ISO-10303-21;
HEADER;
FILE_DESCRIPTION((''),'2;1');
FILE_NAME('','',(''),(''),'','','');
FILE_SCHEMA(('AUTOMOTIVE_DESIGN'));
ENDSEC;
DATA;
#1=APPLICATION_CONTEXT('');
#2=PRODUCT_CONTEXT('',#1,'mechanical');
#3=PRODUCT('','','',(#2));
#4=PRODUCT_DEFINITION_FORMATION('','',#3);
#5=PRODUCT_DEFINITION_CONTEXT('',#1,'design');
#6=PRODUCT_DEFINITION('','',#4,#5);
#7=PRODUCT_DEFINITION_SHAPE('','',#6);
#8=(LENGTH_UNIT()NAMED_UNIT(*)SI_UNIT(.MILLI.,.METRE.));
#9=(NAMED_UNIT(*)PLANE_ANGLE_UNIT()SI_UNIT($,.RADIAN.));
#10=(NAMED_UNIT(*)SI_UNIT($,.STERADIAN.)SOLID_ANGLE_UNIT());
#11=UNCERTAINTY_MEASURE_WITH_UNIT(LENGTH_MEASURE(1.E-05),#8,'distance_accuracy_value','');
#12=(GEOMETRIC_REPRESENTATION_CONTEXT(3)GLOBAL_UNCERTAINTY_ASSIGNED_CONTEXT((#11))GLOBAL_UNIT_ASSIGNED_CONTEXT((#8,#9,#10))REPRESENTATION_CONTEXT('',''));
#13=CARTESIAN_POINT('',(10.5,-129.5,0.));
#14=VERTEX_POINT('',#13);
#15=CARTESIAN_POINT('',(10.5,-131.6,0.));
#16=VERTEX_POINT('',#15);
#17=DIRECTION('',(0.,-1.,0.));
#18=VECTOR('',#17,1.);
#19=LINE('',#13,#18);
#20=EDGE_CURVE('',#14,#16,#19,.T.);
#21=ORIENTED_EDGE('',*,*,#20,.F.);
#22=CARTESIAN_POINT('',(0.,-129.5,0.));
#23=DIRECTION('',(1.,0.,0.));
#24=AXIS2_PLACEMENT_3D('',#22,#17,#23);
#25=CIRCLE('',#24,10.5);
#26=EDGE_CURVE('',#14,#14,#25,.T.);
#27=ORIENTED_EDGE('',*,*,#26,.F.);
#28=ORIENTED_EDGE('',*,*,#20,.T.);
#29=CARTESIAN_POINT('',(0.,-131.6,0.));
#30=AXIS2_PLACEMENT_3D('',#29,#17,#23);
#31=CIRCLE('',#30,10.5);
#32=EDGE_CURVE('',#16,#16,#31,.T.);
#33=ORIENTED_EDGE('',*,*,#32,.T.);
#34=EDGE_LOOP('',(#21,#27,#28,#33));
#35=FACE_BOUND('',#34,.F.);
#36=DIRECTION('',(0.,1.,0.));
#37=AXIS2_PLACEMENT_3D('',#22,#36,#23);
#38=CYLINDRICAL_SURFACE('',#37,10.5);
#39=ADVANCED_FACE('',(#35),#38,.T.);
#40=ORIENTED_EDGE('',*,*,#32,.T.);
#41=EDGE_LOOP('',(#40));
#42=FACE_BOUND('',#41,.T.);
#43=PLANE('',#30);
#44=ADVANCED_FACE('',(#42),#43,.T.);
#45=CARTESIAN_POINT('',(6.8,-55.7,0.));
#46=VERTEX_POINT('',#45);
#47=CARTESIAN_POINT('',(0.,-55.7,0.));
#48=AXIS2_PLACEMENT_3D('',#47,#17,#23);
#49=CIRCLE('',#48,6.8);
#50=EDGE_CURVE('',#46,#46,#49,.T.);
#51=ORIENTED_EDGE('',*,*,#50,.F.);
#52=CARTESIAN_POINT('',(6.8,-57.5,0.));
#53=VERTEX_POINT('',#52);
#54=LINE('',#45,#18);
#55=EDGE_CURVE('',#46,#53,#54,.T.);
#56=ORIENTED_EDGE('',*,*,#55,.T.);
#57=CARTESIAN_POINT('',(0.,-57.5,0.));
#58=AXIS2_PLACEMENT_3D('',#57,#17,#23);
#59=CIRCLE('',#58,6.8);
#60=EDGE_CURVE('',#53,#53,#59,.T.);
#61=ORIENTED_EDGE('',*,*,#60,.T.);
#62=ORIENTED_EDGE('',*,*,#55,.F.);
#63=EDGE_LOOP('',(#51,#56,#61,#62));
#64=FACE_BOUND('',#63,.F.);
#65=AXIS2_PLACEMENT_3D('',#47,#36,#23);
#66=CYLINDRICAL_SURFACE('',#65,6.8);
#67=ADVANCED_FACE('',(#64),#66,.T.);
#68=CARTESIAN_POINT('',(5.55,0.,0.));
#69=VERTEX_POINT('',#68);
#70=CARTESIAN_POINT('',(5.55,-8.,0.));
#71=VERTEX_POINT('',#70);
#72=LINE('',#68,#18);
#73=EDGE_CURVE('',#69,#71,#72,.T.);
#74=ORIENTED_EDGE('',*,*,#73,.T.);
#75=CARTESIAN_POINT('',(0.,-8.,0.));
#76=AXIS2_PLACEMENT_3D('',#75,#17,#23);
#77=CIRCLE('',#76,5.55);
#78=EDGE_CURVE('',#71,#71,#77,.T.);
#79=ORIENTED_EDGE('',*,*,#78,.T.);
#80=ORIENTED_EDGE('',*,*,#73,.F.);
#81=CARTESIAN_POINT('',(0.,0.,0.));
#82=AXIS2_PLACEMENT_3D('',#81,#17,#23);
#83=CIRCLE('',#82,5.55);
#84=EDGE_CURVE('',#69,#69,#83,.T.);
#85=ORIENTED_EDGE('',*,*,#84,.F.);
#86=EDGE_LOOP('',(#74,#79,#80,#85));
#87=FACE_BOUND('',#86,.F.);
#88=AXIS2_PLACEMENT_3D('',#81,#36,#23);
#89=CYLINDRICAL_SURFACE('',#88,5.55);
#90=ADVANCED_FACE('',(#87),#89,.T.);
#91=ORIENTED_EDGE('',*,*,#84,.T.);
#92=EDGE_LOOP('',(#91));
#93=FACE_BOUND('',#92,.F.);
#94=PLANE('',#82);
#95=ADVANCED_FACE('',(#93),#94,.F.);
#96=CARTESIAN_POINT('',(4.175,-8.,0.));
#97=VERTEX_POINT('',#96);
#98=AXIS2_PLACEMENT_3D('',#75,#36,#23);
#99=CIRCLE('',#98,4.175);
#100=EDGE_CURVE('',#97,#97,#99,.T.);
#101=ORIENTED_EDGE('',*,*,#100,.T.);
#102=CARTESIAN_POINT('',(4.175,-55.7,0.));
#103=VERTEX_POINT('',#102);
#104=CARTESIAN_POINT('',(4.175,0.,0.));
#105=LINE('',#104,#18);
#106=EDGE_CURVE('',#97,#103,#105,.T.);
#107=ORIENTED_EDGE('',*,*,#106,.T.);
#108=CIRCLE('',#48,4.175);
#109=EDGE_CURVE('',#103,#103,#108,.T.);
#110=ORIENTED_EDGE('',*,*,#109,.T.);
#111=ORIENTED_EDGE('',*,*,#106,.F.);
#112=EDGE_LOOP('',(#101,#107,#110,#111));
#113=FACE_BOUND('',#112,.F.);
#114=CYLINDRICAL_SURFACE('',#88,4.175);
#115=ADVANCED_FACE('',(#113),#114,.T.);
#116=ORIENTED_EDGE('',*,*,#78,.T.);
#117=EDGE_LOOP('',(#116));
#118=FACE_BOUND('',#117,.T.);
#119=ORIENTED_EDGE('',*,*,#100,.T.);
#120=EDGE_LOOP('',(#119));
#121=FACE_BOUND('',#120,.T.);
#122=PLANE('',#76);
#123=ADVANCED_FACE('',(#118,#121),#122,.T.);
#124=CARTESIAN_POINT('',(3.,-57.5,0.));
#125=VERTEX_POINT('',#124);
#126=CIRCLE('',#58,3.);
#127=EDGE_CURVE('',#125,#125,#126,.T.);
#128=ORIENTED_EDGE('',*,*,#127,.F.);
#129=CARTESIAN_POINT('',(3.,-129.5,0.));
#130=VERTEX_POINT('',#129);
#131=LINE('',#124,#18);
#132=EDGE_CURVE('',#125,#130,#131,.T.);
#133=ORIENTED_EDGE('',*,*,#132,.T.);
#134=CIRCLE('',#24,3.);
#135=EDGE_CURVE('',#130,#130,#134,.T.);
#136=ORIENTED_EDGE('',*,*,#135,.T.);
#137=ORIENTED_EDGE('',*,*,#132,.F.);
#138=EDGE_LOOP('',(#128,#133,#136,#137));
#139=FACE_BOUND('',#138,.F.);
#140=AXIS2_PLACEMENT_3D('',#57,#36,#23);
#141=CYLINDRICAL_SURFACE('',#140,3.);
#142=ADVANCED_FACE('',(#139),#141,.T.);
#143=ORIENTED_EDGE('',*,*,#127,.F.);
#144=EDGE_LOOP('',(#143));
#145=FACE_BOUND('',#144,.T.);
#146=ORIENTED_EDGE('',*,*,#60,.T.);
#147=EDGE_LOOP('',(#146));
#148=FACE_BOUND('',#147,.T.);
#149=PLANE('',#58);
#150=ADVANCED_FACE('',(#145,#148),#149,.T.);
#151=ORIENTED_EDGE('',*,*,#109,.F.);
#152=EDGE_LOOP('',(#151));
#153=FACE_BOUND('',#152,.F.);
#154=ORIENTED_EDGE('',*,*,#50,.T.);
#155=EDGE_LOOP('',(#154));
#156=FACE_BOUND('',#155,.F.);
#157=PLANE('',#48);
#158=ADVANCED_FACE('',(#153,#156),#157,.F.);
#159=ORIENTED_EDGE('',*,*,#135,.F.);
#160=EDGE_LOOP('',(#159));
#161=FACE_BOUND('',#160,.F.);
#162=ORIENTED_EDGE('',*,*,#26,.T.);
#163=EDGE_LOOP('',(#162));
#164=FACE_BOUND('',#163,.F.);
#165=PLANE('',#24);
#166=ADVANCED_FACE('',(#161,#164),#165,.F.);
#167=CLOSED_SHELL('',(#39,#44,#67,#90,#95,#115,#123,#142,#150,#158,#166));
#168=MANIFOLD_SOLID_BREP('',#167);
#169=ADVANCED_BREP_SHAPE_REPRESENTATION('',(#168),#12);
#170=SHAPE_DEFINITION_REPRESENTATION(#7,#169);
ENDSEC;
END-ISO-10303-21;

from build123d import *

# Parameters (mm, degrees)
F0_R     = 5.55
F1_DEPTH = 8
F2_R     = 4.175
F3_DEPTH = 55.7
F4_R     = 6.8
F5_DEPTH = 1.8
F6_R     = 3
F7_DEPTH = 72
F8_R     = 10.5
F9_DEPTH = 2.1


with BuildPart() as f1:
    # F0 (on Front) → F1 (new body)
    with BuildSketch(Plane.XZ):
        Circle(F0_R)
    extrude(amount=F1_DEPTH)

    # F2 (on Front) → F3 (join)
    with BuildSketch(Plane.XZ):
        Circle(F2_R)
    extrude(amount=F3_DEPTH)

    # F4 (on face) → F5 (join)
    with BuildSketch(Plane.XZ.offset(55.7)):
        Circle(F4_R)
    extrude(amount=F5_DEPTH)

    # F6 (on face) → F7 (join)
    with BuildSketch(Plane.XZ.offset(57.5)):
        Circle(F6_R)
    extrude(amount=F7_DEPTH)

    # F8 (on face) → F9 (join)
    with BuildSketch(Plane.XZ.offset(129.5)):
        Circle(F8_R)
    extrude(amount=F9_DEPTH)


solid = f1.part
